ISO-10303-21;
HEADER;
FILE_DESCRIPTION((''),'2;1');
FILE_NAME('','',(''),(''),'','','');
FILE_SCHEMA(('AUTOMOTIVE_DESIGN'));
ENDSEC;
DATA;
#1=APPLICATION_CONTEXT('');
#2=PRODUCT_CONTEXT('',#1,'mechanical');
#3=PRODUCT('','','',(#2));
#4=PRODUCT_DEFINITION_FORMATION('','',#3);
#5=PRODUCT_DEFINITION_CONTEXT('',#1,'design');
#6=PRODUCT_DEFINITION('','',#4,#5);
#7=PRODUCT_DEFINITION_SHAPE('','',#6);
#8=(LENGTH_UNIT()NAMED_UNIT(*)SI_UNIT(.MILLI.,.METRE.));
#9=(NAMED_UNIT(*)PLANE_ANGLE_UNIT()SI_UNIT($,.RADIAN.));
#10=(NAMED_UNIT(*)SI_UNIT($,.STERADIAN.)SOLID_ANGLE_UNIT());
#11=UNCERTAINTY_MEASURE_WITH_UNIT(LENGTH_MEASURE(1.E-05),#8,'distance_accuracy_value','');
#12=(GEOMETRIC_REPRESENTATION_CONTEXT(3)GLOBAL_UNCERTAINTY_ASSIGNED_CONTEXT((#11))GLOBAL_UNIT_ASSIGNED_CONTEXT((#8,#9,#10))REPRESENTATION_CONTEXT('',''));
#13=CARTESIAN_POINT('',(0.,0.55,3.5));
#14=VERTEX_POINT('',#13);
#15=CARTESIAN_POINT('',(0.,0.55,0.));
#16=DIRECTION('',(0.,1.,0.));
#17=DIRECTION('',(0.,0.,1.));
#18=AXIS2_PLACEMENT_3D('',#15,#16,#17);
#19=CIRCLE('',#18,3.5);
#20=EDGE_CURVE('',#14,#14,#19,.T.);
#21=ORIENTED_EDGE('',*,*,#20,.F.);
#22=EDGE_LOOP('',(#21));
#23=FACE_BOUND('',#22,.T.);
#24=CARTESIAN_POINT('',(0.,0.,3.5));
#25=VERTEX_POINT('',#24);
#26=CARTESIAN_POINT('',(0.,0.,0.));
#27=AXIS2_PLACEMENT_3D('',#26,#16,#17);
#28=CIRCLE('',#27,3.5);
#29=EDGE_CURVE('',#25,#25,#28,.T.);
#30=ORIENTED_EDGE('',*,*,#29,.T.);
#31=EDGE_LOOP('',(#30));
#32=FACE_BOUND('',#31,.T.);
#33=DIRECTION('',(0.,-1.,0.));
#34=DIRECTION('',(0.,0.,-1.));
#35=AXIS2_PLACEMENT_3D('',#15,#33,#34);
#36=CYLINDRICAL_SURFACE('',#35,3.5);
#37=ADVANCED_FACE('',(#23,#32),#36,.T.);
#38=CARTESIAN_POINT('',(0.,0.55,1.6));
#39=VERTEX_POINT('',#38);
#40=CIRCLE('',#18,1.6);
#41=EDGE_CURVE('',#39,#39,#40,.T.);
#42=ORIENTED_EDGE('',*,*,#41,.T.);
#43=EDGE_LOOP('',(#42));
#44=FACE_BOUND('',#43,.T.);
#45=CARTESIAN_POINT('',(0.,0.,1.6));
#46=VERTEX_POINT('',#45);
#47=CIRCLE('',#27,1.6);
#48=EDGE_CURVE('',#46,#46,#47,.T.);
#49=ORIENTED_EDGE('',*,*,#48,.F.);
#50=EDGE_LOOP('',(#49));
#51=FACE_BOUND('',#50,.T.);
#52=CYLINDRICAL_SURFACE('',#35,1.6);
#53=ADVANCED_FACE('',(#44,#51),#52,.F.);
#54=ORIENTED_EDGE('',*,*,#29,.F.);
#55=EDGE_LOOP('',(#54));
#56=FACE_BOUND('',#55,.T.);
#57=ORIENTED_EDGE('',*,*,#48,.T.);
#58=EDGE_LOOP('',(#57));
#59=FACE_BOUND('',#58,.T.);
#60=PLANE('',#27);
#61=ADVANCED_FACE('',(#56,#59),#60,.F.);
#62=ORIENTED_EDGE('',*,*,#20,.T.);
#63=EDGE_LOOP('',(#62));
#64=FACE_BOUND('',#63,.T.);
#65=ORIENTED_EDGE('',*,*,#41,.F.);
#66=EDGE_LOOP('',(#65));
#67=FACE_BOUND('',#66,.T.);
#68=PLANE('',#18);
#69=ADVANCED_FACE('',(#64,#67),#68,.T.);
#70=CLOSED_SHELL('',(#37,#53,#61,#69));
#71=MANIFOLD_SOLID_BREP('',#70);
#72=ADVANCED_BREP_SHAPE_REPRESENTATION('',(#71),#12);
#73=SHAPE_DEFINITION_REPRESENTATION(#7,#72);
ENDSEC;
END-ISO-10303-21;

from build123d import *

# Parameters (mm, degrees)
SKETCH1_R           = 3.5
SKETCH1_R_2         = 1.6
BOSS_EXTRUDE1_DEPTH = 0.55


with BuildPart() as part:
    # Sketch1 → Boss-Extrude1 (new body)
    with BuildSketch(Plane(origin=(0, 0, 0), x_dir=(1, 0, 0), z_dir=(0, 1, 0))):
        Circle(SKETCH1_R)
        Circle(SKETCH1_R_2, mode=Mode.SUBTRACT)
    extrude(amount=BOSS_EXTRUDE1_DEPTH)


solid = part.part
